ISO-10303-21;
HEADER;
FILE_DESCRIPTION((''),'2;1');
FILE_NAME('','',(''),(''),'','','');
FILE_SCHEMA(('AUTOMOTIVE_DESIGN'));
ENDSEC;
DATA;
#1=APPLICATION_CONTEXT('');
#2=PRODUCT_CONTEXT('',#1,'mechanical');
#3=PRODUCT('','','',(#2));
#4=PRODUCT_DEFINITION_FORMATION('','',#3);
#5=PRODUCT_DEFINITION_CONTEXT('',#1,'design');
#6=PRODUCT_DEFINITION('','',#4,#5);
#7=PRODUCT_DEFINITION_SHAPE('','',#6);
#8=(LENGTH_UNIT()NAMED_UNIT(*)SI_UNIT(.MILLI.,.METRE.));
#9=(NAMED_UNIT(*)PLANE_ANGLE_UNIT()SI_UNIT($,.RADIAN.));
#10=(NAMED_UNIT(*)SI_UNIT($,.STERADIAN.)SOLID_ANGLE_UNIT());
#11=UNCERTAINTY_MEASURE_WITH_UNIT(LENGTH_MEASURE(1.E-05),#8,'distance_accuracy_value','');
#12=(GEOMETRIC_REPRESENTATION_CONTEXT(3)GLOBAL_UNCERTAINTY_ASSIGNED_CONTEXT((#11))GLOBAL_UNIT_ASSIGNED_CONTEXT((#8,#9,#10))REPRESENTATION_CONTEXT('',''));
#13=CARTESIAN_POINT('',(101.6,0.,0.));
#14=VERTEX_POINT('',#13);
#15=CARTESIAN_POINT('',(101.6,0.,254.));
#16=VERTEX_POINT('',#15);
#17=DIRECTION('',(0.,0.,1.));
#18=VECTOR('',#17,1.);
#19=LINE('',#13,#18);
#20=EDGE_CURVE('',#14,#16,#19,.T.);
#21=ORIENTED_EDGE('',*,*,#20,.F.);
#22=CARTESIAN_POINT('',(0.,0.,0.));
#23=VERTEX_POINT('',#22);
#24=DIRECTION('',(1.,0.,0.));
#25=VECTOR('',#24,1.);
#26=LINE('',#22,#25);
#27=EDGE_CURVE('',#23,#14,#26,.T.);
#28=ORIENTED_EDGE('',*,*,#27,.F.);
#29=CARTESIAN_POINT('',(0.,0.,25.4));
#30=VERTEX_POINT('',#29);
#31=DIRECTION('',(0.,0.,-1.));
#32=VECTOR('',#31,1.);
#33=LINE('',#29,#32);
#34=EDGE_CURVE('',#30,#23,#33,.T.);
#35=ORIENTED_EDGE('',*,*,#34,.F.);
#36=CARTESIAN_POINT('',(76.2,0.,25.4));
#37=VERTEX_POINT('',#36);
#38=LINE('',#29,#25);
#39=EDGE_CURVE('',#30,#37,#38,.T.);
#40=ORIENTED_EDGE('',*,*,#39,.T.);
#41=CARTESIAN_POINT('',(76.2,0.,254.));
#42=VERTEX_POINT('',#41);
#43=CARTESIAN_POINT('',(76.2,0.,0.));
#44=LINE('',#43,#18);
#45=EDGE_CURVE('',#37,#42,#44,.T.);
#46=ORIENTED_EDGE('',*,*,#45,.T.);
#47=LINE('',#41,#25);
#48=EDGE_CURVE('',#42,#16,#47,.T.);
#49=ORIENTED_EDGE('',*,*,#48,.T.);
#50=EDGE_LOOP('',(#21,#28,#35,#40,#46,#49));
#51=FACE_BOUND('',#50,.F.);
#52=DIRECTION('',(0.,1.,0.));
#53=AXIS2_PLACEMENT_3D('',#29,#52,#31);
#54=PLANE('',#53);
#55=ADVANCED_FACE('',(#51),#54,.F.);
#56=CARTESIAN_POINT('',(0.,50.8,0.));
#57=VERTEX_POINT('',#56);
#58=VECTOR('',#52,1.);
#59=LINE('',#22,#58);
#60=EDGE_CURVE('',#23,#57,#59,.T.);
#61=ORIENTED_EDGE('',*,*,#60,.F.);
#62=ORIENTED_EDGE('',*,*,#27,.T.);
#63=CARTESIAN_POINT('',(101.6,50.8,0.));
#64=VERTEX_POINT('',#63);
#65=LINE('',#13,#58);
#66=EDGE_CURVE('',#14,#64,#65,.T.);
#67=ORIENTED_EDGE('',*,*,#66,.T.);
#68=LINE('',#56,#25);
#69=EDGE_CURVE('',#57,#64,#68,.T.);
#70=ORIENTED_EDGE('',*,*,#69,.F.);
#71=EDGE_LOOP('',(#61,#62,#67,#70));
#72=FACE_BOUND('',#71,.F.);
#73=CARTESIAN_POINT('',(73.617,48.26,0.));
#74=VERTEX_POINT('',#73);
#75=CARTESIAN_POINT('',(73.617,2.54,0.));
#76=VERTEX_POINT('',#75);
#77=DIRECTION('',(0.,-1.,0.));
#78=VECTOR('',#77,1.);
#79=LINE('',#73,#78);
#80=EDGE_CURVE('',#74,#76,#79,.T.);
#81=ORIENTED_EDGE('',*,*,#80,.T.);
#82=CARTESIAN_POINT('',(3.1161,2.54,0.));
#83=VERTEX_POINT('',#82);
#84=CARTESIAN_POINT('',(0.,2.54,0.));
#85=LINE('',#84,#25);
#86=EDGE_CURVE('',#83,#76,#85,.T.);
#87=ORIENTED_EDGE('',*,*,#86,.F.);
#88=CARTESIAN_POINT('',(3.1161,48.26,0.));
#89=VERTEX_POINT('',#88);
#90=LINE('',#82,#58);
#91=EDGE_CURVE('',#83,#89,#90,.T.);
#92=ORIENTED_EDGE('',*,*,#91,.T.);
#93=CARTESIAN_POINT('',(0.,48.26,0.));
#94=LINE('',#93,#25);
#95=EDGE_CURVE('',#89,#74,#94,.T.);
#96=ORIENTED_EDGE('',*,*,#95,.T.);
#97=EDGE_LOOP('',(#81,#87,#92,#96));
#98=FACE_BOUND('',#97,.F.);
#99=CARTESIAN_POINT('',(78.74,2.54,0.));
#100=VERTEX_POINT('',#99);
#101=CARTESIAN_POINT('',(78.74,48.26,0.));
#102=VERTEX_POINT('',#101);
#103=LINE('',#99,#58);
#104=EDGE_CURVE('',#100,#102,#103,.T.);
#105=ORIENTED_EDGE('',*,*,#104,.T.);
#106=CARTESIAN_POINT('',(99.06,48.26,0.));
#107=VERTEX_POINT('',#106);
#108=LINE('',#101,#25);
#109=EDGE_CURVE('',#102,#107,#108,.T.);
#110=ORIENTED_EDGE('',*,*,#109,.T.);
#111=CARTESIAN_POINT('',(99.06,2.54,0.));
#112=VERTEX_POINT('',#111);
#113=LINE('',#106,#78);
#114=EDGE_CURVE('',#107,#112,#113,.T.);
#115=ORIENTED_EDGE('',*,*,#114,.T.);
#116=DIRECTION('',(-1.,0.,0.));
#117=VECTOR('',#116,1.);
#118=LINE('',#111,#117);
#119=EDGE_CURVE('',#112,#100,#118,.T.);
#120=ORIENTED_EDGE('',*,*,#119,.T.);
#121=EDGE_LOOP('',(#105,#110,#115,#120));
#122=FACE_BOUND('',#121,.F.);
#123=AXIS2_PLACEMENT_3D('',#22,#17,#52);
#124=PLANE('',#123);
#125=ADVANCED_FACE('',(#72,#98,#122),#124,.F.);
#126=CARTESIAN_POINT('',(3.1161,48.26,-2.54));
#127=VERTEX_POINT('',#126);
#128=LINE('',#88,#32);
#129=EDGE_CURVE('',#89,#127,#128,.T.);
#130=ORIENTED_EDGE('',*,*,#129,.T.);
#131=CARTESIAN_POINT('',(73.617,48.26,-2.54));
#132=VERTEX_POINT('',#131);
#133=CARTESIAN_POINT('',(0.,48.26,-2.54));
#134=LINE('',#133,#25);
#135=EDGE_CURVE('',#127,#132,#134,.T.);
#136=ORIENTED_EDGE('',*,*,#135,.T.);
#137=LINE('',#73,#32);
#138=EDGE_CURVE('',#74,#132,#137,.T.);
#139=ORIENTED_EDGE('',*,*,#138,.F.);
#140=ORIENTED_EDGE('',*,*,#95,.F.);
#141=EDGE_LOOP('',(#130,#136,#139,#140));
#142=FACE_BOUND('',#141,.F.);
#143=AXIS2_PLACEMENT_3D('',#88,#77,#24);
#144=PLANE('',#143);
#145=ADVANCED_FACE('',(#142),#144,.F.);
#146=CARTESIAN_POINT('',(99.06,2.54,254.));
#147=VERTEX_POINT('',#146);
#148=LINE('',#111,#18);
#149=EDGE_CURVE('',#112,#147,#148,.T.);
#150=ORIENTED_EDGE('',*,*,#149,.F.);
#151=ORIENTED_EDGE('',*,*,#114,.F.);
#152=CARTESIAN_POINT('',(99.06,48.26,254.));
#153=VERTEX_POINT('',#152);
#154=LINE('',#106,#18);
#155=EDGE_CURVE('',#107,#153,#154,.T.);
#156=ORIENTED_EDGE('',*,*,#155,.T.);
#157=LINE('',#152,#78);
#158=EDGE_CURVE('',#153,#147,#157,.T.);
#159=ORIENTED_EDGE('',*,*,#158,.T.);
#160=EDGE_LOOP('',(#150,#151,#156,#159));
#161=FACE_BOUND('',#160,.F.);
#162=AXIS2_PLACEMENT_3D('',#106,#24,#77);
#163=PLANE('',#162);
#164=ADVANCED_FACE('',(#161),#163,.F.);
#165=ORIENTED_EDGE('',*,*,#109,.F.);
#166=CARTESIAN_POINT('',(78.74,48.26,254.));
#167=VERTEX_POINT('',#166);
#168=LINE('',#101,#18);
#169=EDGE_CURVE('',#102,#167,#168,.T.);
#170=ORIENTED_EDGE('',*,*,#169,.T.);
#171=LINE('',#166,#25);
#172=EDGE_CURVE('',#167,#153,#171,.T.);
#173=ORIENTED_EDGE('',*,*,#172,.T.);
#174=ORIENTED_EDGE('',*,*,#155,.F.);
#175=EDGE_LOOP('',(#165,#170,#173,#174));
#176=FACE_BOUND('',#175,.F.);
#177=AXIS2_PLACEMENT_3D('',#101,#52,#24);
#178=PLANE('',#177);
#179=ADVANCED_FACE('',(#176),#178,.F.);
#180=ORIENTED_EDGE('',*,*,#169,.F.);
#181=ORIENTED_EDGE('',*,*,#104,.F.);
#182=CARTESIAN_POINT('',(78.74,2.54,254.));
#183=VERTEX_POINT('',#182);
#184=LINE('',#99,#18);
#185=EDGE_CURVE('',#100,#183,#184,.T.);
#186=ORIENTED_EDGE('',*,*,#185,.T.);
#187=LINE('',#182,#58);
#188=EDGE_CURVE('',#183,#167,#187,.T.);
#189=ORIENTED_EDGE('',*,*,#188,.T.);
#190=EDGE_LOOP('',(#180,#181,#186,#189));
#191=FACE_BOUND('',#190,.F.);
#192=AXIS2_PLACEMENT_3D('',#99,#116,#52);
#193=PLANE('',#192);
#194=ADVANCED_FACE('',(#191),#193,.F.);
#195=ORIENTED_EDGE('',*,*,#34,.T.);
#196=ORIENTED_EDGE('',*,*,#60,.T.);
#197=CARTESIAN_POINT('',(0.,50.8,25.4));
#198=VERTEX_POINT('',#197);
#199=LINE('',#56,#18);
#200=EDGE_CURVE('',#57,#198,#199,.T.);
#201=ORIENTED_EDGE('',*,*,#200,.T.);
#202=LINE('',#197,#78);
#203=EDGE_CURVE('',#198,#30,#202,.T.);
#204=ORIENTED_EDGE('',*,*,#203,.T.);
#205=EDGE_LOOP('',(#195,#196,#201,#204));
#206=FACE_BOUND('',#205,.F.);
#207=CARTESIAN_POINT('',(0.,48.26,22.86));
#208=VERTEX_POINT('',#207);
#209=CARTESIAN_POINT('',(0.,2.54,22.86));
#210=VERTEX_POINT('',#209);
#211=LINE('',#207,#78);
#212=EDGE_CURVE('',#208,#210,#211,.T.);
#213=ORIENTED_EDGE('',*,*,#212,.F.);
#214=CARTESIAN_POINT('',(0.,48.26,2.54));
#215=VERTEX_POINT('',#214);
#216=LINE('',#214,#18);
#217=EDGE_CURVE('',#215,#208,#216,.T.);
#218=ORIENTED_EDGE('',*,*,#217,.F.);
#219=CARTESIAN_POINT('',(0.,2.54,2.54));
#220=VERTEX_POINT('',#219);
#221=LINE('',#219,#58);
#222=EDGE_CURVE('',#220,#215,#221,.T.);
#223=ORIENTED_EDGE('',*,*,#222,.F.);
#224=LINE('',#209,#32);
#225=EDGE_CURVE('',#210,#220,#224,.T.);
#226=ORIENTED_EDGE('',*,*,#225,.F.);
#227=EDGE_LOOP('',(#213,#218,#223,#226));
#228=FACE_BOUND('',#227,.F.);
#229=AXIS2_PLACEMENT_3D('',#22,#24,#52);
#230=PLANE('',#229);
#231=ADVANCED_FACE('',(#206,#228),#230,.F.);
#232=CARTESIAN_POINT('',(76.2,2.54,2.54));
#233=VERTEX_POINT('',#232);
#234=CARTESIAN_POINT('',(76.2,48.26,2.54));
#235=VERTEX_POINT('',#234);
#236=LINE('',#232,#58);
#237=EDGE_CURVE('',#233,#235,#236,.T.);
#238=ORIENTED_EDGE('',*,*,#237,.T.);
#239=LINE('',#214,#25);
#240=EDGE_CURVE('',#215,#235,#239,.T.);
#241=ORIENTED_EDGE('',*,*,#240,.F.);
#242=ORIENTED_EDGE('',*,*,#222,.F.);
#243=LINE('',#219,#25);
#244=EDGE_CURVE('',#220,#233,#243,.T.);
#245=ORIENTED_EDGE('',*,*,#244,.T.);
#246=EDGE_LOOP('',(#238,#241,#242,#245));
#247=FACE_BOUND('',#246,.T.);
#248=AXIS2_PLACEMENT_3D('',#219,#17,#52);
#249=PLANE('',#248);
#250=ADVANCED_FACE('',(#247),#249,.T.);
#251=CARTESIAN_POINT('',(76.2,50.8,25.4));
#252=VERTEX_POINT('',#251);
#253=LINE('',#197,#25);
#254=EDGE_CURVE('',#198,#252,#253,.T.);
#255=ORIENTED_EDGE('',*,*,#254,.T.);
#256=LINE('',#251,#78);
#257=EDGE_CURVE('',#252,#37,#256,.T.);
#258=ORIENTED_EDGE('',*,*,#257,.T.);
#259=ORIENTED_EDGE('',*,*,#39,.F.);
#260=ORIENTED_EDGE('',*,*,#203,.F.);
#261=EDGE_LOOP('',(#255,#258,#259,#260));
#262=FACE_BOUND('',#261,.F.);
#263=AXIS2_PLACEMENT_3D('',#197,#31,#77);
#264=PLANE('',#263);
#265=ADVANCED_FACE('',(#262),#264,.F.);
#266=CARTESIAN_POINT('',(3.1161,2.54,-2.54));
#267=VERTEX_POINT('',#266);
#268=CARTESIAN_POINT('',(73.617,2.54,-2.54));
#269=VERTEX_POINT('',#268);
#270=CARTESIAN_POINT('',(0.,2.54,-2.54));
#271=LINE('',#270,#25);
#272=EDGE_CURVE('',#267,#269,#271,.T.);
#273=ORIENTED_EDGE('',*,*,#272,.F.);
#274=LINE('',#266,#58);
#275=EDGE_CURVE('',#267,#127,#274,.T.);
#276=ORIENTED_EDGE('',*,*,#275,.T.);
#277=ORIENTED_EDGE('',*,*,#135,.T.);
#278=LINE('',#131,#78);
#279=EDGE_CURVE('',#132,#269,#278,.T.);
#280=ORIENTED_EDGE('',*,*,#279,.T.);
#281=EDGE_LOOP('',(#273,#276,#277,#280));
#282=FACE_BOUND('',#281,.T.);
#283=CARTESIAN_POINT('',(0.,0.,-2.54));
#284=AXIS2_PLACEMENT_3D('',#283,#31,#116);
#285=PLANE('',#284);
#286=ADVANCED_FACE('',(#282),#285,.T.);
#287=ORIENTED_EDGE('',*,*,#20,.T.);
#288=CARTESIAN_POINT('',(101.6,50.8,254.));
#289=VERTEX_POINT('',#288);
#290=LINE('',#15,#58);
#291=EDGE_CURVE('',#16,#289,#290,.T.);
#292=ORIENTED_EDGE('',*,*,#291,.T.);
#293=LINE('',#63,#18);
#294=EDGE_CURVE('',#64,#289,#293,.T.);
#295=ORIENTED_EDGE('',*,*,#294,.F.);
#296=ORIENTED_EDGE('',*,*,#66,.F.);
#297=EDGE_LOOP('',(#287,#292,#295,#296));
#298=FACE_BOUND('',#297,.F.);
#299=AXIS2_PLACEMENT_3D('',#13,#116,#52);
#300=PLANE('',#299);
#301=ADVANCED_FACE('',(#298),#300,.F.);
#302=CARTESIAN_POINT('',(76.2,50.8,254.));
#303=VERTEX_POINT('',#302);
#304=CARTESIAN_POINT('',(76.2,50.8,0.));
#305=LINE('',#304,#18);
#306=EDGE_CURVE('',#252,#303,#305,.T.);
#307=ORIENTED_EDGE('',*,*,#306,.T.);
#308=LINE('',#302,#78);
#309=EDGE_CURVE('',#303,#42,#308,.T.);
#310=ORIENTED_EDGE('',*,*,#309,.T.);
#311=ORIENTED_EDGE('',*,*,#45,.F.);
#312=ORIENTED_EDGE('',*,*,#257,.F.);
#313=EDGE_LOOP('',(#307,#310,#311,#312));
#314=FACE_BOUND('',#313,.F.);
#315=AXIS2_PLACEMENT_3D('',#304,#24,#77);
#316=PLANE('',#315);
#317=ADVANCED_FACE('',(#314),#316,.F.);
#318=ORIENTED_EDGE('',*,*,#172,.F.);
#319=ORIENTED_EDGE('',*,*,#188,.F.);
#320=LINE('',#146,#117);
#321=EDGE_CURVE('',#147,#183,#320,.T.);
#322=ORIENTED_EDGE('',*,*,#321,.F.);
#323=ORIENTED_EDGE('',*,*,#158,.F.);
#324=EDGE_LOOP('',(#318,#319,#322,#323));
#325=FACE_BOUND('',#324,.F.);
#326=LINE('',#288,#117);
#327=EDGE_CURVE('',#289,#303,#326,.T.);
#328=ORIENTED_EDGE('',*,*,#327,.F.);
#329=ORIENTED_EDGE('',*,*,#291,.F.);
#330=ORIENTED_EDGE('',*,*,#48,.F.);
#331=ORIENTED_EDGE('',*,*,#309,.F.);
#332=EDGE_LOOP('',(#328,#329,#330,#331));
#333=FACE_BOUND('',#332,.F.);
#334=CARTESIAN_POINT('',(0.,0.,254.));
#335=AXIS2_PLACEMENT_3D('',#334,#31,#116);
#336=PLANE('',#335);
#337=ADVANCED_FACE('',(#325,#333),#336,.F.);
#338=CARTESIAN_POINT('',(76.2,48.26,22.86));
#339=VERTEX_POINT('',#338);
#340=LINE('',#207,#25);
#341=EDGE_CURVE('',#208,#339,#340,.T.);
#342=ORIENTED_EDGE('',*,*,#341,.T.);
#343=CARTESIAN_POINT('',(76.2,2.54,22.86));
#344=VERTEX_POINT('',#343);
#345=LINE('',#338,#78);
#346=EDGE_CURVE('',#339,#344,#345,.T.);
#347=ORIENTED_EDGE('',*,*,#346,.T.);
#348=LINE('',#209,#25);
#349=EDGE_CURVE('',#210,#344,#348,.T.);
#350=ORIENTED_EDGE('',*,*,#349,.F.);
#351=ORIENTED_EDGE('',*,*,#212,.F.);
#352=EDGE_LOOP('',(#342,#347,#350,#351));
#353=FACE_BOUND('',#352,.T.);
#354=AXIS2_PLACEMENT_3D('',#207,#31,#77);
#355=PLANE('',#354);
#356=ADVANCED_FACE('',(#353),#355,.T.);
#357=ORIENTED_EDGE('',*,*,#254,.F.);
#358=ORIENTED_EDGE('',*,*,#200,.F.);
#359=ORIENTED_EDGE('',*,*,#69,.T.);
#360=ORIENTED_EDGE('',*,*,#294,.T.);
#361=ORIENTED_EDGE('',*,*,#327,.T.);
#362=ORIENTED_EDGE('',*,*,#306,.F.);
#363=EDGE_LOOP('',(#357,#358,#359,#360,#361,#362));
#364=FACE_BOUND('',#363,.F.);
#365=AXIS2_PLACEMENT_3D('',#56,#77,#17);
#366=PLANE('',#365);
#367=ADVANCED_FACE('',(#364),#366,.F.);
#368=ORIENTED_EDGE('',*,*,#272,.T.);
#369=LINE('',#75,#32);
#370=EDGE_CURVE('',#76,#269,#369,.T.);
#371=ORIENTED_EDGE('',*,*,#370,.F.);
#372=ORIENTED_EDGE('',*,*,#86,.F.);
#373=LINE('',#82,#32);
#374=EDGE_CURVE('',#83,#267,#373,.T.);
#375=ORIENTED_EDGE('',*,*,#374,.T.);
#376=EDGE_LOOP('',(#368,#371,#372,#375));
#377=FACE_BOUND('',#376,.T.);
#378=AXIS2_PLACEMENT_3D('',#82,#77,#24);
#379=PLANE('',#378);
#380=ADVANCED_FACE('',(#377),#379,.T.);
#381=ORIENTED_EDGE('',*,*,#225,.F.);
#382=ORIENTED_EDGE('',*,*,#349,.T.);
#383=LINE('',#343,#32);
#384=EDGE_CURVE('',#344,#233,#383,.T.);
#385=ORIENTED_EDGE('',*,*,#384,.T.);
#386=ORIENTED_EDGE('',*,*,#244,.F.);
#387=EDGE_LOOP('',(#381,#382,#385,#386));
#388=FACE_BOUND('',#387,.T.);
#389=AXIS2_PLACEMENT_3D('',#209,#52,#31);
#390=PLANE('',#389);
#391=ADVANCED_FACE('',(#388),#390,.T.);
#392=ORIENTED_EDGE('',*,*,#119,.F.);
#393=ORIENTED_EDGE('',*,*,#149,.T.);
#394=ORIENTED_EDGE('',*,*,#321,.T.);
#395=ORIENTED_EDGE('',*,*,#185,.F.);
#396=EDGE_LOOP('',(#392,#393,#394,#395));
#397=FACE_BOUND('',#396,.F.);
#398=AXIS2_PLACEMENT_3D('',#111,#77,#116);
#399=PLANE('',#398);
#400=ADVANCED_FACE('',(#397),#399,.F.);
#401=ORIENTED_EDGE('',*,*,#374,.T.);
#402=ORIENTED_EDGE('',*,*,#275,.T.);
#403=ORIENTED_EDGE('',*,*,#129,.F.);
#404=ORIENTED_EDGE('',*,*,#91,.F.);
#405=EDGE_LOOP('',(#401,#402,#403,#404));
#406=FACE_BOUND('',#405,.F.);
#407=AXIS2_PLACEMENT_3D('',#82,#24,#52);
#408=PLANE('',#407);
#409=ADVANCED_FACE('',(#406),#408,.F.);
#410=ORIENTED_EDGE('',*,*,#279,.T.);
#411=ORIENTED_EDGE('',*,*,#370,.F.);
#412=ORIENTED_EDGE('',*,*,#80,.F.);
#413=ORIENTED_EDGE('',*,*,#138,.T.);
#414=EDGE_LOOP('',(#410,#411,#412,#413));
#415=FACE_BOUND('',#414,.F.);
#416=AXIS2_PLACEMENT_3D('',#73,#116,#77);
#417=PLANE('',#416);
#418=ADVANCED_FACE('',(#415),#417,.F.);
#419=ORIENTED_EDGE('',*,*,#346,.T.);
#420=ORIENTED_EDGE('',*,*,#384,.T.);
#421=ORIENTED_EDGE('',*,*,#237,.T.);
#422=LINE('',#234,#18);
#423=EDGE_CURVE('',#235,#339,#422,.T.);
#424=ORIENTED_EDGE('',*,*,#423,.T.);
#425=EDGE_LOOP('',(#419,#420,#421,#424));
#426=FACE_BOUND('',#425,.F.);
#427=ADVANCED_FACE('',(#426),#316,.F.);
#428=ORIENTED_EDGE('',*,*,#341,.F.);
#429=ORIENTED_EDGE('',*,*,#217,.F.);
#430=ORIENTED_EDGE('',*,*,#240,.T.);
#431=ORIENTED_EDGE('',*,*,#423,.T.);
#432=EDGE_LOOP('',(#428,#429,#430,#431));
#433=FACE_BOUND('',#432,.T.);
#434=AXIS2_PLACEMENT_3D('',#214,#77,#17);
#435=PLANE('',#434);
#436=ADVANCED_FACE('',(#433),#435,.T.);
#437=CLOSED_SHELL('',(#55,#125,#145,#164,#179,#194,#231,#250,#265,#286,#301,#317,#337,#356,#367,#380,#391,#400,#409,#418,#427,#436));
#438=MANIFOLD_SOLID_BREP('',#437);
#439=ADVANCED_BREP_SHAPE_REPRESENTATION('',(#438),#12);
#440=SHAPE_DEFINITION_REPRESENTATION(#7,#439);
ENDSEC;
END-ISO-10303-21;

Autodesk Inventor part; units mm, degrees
ref_plane "YZ Plane" through (0, 0, 0) normal (1, 0, 0) x (0, 1, 0)
ref_plane "XZ Plane" through (0, 0, 0) normal (0, 1, 0) x (-1, 0, 0)
ref_plane "XY Plane" through (0, 0, 0) normal (0, 0, 1) x (1, 0, 0)
sketch "Sketch15" plane through (0, 0, 0) normal (1, 0, 0) x (0, 1, 0)
  line L0 (0, 0) -> (50.8, 0)
  line L1 (50.8, 0) -> (50.8, 25.4)
  line L2 (50.8, 25.4) -> (0, 25.4)
  line L3 (0, 25.4) -> (0, 0)
  line L4 (48.26, 22.86) -> (2.54, 22.86)
  line L5 (2.54, 22.86) -> (2.54, 2.54)
  line L6 (2.54, 2.54) -> (48.26, 2.54)
  line L7 (48.26, 2.54) -> (48.26, 22.86)
  dimension "d46" = 25.4
  dimension "d47" = 50.8
  dimension "d48" = 2.54
  dimension "d49" = 2.54
  dimension "d50" = 2.54
  dimension "d51" = 2.54
extrude "Extrusion12" add sketch "Sketch15" along normal blind 76.2
sketch "Sketch16" plane through (0, 0, 0) normal (0, 0, -1) x (-1, 0, 0)
  line L0 (0, 0) -> (-76.2, 0) projected
  line L1 (-76.2, 0) -> (-101.6, 0)
  line L2 (-101.6, 0) -> (-101.6, 50.8)
  line L3 (-101.6, 50.8) -> (-76.2, 50.8)
  line L4 (-76.2, 50.8) -> (-76.2, 0)
  line L5 (-78.74, 48.26) -> (-99.06, 48.26)
  line L6 (-99.06, 48.26) -> (-99.06, 2.54)
  line L7 (-99.06, 2.54) -> (-78.74, 2.54)
  line L8 (-78.74, 2.54) -> (-78.74, 48.26)
  dimension "d54" = 25.4
  dimension "d55" = 50.8
  dimension "d56" = 2.54
  dimension "d57" = 2.54
  dimension "d58" = 2.54
  dimension "d59" = 2.54
extrude "Extrusion13" add sketch "Sketch16" against normal blind 254
sketch "Sketch17" plane through (0, 0, 0) normal (0, 0, -1) x (-1, 0, 0)
  line L0 (0, 2.54) -> (-76.2, 2.54) projected
  line L1 (0, 48.26) -> (-76.2, 48.26) projected
  line L2 (-73.617, 2.54) -> (-3.1161, 2.54)
  line L3 (-3.1161, 2.54) -> (-3.1161, 48.26)
  line L4 (-3.1161, 48.26) -> (-73.617, 48.26)
  line L5 (-73.617, 48.26) -> (-73.617, 2.54)
  point P0 (0, 0)
extrude "Extrusion14" add sketch "Sketch17" along normal blind 2.54
equation "\"d49\" = d48"
equation "\"d50\" = d48"
equation "\"d51\" = d48"
equation "\"d56\" = d48"
equation "\"d57\" = d48"
equation "\"d58\" = d48"
equation "\"d59\" = d48"
properties part number "right arm"
